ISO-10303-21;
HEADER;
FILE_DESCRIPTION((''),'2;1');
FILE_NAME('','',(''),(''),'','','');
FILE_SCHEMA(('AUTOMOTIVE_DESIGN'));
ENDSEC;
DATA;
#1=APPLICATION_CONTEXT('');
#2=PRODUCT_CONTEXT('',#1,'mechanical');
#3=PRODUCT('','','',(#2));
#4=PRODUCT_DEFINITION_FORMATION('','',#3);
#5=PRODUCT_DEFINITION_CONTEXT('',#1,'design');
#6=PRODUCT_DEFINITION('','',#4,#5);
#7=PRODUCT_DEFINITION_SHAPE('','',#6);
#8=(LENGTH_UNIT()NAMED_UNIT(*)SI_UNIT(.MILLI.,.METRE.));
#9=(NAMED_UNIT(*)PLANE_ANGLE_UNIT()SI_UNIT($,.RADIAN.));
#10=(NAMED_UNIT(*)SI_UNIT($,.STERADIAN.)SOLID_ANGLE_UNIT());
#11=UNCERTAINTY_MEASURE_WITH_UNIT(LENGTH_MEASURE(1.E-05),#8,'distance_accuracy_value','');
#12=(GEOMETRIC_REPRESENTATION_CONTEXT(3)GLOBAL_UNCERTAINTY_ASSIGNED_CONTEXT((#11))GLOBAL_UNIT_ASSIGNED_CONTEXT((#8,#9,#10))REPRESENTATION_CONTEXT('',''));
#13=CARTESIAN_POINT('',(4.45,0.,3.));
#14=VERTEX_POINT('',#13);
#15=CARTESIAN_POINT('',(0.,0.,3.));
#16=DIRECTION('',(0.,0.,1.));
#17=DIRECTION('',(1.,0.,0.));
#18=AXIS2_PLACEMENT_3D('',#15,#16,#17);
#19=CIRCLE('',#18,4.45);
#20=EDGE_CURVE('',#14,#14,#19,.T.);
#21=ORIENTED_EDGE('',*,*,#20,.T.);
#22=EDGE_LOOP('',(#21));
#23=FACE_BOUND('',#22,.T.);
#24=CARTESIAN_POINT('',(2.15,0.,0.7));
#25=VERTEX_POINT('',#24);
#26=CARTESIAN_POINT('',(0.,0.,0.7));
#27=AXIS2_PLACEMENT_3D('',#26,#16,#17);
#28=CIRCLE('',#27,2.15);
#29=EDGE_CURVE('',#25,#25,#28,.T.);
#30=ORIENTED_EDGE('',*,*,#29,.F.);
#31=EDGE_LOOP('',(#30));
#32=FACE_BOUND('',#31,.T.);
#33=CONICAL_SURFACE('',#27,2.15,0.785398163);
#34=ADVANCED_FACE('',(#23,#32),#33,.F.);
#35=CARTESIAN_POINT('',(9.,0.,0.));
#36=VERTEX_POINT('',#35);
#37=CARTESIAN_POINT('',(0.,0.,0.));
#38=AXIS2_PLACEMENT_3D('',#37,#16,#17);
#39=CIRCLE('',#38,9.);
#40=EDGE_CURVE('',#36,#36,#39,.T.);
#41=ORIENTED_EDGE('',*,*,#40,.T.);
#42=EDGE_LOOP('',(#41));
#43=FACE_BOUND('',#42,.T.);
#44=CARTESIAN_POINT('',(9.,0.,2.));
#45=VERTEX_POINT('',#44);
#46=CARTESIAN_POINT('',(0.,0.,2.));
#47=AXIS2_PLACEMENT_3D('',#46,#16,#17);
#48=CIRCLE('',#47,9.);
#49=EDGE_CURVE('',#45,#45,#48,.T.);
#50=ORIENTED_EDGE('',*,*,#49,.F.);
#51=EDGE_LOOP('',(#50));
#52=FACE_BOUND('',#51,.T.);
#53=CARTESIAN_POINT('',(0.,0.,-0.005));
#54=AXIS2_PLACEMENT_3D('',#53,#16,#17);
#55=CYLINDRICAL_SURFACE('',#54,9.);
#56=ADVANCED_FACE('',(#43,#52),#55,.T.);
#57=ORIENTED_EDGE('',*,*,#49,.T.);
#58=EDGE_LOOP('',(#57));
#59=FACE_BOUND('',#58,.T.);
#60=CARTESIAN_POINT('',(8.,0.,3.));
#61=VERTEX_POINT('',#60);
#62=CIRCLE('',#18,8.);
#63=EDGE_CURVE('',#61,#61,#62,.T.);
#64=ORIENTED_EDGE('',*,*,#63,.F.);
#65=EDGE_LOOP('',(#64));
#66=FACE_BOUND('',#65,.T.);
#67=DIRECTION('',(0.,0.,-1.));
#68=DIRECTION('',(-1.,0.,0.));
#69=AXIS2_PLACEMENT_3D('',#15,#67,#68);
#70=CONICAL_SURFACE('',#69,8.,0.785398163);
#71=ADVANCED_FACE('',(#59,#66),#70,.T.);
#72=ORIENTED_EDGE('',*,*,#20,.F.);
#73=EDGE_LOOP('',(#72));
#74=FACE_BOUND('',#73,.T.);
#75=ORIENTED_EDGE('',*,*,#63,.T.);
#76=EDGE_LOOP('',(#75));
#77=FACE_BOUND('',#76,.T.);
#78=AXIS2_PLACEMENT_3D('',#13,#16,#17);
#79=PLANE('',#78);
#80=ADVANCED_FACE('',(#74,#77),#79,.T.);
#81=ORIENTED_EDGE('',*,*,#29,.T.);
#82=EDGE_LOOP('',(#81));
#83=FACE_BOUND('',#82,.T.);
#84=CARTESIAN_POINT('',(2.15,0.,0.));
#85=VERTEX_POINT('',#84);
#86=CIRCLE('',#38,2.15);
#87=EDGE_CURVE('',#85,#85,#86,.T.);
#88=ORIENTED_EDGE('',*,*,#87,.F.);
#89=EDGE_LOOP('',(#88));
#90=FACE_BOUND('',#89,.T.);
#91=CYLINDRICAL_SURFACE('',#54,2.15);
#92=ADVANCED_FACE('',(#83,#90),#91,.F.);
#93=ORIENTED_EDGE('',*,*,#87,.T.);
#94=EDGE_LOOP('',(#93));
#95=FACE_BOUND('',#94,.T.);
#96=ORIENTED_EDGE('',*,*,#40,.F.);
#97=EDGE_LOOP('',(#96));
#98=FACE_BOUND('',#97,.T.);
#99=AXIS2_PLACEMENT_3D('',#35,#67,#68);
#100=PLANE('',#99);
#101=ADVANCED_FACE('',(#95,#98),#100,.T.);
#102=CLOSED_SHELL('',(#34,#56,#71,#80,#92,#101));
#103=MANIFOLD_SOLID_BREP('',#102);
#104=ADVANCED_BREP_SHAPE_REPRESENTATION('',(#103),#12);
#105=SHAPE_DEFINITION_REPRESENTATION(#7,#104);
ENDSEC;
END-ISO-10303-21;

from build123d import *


with BuildPart() as part:
    # Эскиз1 → Повернуть1 (revolve)
    with BuildSketch(Plane(origin=(0, 0, 0), x_dir=(1, 0, 0), z_dir=(0, 1, 0))):
        Polygon((9, -2), (9, 0), (2.15, 0), (2.15, -0.7), (4.45, -3), (8, -3), align=None)
    revolve(axis=Axis((0, 0, -0.005), (0, 0, 1)))


solid = part.part
